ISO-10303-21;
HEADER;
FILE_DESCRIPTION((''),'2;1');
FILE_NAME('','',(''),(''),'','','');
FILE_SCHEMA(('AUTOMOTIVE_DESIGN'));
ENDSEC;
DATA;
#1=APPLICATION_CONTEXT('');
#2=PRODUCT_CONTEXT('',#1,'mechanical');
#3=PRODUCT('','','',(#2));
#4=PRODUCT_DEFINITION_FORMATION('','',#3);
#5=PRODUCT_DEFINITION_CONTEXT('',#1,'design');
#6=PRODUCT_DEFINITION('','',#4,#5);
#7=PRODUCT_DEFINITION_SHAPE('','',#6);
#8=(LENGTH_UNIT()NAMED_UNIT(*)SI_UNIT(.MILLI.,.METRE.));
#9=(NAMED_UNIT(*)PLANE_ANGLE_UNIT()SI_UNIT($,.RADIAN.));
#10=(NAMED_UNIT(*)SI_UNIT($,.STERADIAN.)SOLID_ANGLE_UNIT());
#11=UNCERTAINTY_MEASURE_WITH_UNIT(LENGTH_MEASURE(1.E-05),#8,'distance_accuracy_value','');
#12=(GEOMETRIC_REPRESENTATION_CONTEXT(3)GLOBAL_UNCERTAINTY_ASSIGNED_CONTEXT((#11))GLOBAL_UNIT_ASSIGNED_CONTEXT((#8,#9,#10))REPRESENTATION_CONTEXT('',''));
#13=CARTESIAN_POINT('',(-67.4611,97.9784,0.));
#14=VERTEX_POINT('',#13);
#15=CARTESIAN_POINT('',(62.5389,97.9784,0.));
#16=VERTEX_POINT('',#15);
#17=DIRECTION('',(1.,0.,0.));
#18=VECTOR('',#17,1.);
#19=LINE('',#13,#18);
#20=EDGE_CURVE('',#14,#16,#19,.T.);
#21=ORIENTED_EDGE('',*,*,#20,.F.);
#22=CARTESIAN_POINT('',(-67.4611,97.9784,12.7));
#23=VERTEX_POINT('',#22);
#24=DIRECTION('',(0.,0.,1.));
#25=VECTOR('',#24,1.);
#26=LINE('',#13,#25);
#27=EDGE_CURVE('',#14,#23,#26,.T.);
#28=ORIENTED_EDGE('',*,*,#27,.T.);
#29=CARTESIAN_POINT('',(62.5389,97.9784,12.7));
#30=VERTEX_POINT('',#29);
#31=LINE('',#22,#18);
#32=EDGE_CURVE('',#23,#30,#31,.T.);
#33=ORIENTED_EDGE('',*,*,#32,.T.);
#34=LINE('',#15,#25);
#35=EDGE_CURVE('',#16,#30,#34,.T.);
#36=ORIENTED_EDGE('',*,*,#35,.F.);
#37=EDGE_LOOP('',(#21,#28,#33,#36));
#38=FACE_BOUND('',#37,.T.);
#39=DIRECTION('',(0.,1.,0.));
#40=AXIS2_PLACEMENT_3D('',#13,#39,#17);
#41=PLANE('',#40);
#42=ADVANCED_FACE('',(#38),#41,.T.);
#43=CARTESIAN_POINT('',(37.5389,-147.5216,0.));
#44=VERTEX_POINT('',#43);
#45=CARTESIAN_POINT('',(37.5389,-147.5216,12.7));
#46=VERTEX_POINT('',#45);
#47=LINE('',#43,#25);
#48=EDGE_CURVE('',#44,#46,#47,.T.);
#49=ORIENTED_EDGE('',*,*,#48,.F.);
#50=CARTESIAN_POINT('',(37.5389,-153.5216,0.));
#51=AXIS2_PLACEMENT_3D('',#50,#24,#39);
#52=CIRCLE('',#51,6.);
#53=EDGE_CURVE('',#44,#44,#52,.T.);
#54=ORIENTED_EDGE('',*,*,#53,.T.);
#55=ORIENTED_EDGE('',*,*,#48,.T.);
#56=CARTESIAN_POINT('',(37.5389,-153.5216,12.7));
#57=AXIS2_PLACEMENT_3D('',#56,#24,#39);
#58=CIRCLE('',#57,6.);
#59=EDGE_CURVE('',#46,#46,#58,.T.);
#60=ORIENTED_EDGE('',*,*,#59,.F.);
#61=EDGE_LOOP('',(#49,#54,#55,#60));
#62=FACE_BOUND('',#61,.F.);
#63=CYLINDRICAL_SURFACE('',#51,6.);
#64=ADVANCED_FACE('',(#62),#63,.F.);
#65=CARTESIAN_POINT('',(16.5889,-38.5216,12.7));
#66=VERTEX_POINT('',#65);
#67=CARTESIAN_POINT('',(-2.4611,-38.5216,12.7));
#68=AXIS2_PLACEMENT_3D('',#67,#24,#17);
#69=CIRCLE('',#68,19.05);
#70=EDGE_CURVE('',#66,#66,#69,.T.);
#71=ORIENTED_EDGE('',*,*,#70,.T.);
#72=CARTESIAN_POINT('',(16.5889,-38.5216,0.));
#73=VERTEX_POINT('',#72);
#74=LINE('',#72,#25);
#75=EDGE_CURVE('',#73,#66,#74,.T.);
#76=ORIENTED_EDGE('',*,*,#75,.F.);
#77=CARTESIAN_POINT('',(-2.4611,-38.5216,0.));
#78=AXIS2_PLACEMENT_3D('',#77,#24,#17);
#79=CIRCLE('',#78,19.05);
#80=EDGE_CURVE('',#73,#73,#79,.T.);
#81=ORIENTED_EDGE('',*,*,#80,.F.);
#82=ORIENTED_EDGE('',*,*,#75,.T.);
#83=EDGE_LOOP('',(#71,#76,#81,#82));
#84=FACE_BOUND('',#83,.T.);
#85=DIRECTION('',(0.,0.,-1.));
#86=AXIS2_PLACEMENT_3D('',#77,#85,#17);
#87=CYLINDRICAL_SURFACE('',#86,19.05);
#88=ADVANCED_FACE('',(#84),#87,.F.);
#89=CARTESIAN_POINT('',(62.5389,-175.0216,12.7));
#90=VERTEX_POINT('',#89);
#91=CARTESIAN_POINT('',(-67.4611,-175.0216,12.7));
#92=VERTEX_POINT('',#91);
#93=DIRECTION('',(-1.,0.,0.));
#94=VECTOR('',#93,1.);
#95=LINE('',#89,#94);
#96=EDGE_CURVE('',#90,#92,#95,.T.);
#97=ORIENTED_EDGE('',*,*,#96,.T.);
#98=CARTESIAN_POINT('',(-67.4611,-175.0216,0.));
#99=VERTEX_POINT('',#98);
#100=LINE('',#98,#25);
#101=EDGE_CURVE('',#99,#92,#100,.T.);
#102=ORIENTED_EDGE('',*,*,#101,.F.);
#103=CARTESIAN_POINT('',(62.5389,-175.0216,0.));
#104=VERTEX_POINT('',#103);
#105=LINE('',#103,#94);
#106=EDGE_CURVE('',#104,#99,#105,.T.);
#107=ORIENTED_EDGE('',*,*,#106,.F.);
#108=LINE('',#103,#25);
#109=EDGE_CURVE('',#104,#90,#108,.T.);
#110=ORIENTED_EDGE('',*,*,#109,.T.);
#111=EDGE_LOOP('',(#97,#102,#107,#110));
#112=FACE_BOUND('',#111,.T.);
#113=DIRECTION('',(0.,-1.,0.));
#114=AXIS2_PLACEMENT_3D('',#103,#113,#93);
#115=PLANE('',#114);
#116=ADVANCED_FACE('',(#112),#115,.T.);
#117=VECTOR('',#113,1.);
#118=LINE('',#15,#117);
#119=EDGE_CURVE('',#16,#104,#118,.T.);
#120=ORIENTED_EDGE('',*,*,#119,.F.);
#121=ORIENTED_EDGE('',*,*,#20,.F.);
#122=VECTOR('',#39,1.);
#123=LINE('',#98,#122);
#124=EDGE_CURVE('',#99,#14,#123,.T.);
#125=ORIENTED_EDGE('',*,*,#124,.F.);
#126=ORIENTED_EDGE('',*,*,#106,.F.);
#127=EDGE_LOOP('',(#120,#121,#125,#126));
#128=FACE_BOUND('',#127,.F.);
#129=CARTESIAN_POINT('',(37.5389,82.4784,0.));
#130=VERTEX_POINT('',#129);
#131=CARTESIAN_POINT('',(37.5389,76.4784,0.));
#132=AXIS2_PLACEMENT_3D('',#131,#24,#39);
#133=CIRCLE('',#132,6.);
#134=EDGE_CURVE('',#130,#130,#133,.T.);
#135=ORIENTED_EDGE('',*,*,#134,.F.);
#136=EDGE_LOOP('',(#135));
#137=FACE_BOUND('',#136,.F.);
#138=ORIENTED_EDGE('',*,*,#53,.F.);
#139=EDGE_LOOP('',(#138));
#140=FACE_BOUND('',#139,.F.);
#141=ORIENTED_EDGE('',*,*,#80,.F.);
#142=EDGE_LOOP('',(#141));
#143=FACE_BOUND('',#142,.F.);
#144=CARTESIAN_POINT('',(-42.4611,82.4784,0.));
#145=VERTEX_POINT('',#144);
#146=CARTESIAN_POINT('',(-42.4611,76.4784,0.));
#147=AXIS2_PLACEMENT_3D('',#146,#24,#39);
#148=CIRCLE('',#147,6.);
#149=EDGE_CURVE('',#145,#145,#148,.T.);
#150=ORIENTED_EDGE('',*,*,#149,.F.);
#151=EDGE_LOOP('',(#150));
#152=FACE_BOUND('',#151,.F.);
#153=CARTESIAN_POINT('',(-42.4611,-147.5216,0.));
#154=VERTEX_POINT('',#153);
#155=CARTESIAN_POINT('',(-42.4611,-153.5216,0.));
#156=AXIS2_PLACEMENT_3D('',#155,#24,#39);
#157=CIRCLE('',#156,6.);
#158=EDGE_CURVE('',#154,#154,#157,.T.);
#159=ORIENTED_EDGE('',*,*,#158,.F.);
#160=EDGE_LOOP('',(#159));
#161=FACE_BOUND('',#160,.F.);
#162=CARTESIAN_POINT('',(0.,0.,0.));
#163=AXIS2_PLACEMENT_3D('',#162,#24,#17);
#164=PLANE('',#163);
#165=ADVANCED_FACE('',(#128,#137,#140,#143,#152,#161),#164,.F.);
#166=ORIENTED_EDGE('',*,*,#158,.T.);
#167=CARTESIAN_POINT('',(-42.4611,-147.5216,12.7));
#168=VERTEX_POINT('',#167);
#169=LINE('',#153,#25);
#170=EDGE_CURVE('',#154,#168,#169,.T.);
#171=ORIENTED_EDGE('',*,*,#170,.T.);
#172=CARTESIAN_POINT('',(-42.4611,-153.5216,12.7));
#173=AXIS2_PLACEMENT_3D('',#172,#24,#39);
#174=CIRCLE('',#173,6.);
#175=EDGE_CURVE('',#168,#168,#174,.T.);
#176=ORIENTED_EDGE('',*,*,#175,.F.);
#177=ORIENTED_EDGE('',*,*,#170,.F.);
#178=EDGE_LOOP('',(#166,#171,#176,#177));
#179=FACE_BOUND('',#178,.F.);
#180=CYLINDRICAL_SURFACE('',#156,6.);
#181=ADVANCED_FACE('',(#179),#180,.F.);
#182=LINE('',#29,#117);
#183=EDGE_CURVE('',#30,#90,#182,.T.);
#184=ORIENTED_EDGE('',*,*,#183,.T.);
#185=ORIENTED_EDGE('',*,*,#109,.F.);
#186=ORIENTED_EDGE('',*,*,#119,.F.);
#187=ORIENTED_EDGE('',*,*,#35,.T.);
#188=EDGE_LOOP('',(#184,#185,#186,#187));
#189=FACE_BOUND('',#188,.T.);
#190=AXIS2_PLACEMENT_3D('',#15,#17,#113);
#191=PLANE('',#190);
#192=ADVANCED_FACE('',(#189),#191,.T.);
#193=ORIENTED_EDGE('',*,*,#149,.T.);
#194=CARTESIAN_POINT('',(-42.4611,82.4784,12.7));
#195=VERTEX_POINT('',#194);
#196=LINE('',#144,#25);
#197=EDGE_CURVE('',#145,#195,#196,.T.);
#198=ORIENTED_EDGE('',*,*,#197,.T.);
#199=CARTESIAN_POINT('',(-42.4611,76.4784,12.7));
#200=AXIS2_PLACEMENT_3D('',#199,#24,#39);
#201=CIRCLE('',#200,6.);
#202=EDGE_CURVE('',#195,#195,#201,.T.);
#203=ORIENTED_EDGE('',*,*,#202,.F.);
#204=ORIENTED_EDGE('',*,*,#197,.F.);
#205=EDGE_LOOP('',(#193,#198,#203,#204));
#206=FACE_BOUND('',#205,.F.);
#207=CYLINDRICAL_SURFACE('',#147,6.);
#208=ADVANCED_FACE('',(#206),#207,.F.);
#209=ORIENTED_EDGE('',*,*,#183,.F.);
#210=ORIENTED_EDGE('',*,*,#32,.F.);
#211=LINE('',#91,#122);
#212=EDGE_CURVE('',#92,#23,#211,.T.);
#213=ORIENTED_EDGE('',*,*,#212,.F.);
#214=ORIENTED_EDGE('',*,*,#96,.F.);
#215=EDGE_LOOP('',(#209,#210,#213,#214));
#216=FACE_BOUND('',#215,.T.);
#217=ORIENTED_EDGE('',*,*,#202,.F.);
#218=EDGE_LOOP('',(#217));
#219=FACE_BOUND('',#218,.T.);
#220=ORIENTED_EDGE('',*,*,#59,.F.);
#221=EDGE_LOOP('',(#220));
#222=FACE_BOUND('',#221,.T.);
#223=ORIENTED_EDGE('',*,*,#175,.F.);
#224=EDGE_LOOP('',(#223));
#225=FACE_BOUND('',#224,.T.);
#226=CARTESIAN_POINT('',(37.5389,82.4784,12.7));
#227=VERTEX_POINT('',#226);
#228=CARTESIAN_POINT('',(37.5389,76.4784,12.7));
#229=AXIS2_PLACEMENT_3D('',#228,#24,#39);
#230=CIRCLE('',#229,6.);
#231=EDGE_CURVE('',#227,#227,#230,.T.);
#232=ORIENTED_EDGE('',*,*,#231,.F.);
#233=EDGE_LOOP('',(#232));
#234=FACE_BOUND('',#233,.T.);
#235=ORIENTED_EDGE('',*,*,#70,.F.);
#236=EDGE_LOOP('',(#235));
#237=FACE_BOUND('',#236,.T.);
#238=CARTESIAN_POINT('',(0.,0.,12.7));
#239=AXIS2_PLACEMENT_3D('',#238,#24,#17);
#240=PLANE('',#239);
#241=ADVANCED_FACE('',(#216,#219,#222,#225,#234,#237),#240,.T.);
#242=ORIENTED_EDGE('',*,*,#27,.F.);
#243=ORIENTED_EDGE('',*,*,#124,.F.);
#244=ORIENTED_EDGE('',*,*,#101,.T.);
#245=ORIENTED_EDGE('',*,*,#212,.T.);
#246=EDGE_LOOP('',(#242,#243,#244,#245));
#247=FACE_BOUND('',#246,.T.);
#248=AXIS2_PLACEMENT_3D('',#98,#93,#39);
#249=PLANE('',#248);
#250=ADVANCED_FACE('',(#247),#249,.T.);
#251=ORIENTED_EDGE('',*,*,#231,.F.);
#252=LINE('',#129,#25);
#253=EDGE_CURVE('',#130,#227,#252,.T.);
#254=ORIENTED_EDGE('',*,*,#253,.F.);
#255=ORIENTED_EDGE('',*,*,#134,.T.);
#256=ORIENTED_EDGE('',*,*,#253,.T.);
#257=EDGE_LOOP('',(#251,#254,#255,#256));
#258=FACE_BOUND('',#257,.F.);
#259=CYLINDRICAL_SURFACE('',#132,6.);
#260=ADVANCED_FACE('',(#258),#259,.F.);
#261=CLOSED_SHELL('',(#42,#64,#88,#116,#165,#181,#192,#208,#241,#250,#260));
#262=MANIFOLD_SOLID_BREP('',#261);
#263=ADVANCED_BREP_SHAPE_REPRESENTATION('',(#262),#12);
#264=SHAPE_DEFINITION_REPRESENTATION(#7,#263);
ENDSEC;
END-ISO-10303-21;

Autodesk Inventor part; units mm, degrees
ref_plane "YZ Plane" through (0, 0, 0) normal (1, 0, 0) x (0, 1, 0)
ref_plane "XZ Plane" through (0, 0, 0) normal (0, 1, 0) x (-1, 0, 0)
ref_plane "XY Plane" through (0, 0, 0) normal (0, 0, 1) x (1, 0, 0)
sketch "Sketch1" plane through (0, 0, 0) normal (0, 0, 1) x (1, 0, 0)
  line L0 (-67.4611, 97.9784) -> (62.5389, 97.9784)
  line L1 (62.5389, 97.9784) -> (62.5389, -175.0216)
  line L2 (62.5389, -175.0216) -> (-67.4611, -175.0216)
  line L3 (-67.4611, -175.0216) -> (-67.4611, 97.9784)
  circle A0 centre (-2.4611, -38.5216) radius 19.05
  line L4 (-67.4611, -38.5216) -> (62.5389, -38.5216) construction
  line L5 (-2.4611, 97.9784) -> (-2.4611, -175.0216) construction
  point P0 (0, 0)
  point P1 (-2.4611, -38.5216)
  dimension "d0" = 38.1
  dimension "d3" = 130
  dimension "d4" = 273
extrude "Extrusion1" add sketch "Sketch1" along normal blind 12.7
sketch "Sketch2" plane through (0, 0, 0) normal (0, 0, -1) x (-1, 0, 0)
  line L0 (67.4611, -175.0216) -> (-62.5389, -175.0216) projected
  line L1 (67.4611, 97.9784) -> (67.4611, -175.0216) projected
  line L2 (-62.5389, 97.9784) -> (67.4611, 97.9784) projected
  line L3 (-62.5389, -175.0216) -> (-62.5389, 97.9784) projected
  circle A0 centre (2.4611, -38.5216) radius 19.05 projected
  line L4 (2.4611, -38.5216) -> (2.4611, -25.0418)
  line L5 (2.4611, -25.0418) -> (2.4611, -38.5216)
  line L6 (14.6161, -38.5216) -> (2.4611, -38.5216)
  point P0 (0, 0)
  point P1 (42.4611, 76.4784)
  point P2 (-37.5389, 76.4784)
  point P3 (-37.5389, -153.5216)
  point P4 (42.4611, -153.5216)
  dimension "d5" = 230
  dimension "d6" = 80
  dimension "d7" = 80
  dimension "d8" = 230
hole "Hole1" at (-42.4611, 76.4784, 0) at (37.5389, 76.4784, 0) at (37.5389, -153.5216, 0) at (-42.4611, -153.5216, 0) direction (0, 0, 1) diameter 12 end through all
equation "\"d7\" = d6"
equation "\"d8\" = d5"
properties part number "placa superior"
